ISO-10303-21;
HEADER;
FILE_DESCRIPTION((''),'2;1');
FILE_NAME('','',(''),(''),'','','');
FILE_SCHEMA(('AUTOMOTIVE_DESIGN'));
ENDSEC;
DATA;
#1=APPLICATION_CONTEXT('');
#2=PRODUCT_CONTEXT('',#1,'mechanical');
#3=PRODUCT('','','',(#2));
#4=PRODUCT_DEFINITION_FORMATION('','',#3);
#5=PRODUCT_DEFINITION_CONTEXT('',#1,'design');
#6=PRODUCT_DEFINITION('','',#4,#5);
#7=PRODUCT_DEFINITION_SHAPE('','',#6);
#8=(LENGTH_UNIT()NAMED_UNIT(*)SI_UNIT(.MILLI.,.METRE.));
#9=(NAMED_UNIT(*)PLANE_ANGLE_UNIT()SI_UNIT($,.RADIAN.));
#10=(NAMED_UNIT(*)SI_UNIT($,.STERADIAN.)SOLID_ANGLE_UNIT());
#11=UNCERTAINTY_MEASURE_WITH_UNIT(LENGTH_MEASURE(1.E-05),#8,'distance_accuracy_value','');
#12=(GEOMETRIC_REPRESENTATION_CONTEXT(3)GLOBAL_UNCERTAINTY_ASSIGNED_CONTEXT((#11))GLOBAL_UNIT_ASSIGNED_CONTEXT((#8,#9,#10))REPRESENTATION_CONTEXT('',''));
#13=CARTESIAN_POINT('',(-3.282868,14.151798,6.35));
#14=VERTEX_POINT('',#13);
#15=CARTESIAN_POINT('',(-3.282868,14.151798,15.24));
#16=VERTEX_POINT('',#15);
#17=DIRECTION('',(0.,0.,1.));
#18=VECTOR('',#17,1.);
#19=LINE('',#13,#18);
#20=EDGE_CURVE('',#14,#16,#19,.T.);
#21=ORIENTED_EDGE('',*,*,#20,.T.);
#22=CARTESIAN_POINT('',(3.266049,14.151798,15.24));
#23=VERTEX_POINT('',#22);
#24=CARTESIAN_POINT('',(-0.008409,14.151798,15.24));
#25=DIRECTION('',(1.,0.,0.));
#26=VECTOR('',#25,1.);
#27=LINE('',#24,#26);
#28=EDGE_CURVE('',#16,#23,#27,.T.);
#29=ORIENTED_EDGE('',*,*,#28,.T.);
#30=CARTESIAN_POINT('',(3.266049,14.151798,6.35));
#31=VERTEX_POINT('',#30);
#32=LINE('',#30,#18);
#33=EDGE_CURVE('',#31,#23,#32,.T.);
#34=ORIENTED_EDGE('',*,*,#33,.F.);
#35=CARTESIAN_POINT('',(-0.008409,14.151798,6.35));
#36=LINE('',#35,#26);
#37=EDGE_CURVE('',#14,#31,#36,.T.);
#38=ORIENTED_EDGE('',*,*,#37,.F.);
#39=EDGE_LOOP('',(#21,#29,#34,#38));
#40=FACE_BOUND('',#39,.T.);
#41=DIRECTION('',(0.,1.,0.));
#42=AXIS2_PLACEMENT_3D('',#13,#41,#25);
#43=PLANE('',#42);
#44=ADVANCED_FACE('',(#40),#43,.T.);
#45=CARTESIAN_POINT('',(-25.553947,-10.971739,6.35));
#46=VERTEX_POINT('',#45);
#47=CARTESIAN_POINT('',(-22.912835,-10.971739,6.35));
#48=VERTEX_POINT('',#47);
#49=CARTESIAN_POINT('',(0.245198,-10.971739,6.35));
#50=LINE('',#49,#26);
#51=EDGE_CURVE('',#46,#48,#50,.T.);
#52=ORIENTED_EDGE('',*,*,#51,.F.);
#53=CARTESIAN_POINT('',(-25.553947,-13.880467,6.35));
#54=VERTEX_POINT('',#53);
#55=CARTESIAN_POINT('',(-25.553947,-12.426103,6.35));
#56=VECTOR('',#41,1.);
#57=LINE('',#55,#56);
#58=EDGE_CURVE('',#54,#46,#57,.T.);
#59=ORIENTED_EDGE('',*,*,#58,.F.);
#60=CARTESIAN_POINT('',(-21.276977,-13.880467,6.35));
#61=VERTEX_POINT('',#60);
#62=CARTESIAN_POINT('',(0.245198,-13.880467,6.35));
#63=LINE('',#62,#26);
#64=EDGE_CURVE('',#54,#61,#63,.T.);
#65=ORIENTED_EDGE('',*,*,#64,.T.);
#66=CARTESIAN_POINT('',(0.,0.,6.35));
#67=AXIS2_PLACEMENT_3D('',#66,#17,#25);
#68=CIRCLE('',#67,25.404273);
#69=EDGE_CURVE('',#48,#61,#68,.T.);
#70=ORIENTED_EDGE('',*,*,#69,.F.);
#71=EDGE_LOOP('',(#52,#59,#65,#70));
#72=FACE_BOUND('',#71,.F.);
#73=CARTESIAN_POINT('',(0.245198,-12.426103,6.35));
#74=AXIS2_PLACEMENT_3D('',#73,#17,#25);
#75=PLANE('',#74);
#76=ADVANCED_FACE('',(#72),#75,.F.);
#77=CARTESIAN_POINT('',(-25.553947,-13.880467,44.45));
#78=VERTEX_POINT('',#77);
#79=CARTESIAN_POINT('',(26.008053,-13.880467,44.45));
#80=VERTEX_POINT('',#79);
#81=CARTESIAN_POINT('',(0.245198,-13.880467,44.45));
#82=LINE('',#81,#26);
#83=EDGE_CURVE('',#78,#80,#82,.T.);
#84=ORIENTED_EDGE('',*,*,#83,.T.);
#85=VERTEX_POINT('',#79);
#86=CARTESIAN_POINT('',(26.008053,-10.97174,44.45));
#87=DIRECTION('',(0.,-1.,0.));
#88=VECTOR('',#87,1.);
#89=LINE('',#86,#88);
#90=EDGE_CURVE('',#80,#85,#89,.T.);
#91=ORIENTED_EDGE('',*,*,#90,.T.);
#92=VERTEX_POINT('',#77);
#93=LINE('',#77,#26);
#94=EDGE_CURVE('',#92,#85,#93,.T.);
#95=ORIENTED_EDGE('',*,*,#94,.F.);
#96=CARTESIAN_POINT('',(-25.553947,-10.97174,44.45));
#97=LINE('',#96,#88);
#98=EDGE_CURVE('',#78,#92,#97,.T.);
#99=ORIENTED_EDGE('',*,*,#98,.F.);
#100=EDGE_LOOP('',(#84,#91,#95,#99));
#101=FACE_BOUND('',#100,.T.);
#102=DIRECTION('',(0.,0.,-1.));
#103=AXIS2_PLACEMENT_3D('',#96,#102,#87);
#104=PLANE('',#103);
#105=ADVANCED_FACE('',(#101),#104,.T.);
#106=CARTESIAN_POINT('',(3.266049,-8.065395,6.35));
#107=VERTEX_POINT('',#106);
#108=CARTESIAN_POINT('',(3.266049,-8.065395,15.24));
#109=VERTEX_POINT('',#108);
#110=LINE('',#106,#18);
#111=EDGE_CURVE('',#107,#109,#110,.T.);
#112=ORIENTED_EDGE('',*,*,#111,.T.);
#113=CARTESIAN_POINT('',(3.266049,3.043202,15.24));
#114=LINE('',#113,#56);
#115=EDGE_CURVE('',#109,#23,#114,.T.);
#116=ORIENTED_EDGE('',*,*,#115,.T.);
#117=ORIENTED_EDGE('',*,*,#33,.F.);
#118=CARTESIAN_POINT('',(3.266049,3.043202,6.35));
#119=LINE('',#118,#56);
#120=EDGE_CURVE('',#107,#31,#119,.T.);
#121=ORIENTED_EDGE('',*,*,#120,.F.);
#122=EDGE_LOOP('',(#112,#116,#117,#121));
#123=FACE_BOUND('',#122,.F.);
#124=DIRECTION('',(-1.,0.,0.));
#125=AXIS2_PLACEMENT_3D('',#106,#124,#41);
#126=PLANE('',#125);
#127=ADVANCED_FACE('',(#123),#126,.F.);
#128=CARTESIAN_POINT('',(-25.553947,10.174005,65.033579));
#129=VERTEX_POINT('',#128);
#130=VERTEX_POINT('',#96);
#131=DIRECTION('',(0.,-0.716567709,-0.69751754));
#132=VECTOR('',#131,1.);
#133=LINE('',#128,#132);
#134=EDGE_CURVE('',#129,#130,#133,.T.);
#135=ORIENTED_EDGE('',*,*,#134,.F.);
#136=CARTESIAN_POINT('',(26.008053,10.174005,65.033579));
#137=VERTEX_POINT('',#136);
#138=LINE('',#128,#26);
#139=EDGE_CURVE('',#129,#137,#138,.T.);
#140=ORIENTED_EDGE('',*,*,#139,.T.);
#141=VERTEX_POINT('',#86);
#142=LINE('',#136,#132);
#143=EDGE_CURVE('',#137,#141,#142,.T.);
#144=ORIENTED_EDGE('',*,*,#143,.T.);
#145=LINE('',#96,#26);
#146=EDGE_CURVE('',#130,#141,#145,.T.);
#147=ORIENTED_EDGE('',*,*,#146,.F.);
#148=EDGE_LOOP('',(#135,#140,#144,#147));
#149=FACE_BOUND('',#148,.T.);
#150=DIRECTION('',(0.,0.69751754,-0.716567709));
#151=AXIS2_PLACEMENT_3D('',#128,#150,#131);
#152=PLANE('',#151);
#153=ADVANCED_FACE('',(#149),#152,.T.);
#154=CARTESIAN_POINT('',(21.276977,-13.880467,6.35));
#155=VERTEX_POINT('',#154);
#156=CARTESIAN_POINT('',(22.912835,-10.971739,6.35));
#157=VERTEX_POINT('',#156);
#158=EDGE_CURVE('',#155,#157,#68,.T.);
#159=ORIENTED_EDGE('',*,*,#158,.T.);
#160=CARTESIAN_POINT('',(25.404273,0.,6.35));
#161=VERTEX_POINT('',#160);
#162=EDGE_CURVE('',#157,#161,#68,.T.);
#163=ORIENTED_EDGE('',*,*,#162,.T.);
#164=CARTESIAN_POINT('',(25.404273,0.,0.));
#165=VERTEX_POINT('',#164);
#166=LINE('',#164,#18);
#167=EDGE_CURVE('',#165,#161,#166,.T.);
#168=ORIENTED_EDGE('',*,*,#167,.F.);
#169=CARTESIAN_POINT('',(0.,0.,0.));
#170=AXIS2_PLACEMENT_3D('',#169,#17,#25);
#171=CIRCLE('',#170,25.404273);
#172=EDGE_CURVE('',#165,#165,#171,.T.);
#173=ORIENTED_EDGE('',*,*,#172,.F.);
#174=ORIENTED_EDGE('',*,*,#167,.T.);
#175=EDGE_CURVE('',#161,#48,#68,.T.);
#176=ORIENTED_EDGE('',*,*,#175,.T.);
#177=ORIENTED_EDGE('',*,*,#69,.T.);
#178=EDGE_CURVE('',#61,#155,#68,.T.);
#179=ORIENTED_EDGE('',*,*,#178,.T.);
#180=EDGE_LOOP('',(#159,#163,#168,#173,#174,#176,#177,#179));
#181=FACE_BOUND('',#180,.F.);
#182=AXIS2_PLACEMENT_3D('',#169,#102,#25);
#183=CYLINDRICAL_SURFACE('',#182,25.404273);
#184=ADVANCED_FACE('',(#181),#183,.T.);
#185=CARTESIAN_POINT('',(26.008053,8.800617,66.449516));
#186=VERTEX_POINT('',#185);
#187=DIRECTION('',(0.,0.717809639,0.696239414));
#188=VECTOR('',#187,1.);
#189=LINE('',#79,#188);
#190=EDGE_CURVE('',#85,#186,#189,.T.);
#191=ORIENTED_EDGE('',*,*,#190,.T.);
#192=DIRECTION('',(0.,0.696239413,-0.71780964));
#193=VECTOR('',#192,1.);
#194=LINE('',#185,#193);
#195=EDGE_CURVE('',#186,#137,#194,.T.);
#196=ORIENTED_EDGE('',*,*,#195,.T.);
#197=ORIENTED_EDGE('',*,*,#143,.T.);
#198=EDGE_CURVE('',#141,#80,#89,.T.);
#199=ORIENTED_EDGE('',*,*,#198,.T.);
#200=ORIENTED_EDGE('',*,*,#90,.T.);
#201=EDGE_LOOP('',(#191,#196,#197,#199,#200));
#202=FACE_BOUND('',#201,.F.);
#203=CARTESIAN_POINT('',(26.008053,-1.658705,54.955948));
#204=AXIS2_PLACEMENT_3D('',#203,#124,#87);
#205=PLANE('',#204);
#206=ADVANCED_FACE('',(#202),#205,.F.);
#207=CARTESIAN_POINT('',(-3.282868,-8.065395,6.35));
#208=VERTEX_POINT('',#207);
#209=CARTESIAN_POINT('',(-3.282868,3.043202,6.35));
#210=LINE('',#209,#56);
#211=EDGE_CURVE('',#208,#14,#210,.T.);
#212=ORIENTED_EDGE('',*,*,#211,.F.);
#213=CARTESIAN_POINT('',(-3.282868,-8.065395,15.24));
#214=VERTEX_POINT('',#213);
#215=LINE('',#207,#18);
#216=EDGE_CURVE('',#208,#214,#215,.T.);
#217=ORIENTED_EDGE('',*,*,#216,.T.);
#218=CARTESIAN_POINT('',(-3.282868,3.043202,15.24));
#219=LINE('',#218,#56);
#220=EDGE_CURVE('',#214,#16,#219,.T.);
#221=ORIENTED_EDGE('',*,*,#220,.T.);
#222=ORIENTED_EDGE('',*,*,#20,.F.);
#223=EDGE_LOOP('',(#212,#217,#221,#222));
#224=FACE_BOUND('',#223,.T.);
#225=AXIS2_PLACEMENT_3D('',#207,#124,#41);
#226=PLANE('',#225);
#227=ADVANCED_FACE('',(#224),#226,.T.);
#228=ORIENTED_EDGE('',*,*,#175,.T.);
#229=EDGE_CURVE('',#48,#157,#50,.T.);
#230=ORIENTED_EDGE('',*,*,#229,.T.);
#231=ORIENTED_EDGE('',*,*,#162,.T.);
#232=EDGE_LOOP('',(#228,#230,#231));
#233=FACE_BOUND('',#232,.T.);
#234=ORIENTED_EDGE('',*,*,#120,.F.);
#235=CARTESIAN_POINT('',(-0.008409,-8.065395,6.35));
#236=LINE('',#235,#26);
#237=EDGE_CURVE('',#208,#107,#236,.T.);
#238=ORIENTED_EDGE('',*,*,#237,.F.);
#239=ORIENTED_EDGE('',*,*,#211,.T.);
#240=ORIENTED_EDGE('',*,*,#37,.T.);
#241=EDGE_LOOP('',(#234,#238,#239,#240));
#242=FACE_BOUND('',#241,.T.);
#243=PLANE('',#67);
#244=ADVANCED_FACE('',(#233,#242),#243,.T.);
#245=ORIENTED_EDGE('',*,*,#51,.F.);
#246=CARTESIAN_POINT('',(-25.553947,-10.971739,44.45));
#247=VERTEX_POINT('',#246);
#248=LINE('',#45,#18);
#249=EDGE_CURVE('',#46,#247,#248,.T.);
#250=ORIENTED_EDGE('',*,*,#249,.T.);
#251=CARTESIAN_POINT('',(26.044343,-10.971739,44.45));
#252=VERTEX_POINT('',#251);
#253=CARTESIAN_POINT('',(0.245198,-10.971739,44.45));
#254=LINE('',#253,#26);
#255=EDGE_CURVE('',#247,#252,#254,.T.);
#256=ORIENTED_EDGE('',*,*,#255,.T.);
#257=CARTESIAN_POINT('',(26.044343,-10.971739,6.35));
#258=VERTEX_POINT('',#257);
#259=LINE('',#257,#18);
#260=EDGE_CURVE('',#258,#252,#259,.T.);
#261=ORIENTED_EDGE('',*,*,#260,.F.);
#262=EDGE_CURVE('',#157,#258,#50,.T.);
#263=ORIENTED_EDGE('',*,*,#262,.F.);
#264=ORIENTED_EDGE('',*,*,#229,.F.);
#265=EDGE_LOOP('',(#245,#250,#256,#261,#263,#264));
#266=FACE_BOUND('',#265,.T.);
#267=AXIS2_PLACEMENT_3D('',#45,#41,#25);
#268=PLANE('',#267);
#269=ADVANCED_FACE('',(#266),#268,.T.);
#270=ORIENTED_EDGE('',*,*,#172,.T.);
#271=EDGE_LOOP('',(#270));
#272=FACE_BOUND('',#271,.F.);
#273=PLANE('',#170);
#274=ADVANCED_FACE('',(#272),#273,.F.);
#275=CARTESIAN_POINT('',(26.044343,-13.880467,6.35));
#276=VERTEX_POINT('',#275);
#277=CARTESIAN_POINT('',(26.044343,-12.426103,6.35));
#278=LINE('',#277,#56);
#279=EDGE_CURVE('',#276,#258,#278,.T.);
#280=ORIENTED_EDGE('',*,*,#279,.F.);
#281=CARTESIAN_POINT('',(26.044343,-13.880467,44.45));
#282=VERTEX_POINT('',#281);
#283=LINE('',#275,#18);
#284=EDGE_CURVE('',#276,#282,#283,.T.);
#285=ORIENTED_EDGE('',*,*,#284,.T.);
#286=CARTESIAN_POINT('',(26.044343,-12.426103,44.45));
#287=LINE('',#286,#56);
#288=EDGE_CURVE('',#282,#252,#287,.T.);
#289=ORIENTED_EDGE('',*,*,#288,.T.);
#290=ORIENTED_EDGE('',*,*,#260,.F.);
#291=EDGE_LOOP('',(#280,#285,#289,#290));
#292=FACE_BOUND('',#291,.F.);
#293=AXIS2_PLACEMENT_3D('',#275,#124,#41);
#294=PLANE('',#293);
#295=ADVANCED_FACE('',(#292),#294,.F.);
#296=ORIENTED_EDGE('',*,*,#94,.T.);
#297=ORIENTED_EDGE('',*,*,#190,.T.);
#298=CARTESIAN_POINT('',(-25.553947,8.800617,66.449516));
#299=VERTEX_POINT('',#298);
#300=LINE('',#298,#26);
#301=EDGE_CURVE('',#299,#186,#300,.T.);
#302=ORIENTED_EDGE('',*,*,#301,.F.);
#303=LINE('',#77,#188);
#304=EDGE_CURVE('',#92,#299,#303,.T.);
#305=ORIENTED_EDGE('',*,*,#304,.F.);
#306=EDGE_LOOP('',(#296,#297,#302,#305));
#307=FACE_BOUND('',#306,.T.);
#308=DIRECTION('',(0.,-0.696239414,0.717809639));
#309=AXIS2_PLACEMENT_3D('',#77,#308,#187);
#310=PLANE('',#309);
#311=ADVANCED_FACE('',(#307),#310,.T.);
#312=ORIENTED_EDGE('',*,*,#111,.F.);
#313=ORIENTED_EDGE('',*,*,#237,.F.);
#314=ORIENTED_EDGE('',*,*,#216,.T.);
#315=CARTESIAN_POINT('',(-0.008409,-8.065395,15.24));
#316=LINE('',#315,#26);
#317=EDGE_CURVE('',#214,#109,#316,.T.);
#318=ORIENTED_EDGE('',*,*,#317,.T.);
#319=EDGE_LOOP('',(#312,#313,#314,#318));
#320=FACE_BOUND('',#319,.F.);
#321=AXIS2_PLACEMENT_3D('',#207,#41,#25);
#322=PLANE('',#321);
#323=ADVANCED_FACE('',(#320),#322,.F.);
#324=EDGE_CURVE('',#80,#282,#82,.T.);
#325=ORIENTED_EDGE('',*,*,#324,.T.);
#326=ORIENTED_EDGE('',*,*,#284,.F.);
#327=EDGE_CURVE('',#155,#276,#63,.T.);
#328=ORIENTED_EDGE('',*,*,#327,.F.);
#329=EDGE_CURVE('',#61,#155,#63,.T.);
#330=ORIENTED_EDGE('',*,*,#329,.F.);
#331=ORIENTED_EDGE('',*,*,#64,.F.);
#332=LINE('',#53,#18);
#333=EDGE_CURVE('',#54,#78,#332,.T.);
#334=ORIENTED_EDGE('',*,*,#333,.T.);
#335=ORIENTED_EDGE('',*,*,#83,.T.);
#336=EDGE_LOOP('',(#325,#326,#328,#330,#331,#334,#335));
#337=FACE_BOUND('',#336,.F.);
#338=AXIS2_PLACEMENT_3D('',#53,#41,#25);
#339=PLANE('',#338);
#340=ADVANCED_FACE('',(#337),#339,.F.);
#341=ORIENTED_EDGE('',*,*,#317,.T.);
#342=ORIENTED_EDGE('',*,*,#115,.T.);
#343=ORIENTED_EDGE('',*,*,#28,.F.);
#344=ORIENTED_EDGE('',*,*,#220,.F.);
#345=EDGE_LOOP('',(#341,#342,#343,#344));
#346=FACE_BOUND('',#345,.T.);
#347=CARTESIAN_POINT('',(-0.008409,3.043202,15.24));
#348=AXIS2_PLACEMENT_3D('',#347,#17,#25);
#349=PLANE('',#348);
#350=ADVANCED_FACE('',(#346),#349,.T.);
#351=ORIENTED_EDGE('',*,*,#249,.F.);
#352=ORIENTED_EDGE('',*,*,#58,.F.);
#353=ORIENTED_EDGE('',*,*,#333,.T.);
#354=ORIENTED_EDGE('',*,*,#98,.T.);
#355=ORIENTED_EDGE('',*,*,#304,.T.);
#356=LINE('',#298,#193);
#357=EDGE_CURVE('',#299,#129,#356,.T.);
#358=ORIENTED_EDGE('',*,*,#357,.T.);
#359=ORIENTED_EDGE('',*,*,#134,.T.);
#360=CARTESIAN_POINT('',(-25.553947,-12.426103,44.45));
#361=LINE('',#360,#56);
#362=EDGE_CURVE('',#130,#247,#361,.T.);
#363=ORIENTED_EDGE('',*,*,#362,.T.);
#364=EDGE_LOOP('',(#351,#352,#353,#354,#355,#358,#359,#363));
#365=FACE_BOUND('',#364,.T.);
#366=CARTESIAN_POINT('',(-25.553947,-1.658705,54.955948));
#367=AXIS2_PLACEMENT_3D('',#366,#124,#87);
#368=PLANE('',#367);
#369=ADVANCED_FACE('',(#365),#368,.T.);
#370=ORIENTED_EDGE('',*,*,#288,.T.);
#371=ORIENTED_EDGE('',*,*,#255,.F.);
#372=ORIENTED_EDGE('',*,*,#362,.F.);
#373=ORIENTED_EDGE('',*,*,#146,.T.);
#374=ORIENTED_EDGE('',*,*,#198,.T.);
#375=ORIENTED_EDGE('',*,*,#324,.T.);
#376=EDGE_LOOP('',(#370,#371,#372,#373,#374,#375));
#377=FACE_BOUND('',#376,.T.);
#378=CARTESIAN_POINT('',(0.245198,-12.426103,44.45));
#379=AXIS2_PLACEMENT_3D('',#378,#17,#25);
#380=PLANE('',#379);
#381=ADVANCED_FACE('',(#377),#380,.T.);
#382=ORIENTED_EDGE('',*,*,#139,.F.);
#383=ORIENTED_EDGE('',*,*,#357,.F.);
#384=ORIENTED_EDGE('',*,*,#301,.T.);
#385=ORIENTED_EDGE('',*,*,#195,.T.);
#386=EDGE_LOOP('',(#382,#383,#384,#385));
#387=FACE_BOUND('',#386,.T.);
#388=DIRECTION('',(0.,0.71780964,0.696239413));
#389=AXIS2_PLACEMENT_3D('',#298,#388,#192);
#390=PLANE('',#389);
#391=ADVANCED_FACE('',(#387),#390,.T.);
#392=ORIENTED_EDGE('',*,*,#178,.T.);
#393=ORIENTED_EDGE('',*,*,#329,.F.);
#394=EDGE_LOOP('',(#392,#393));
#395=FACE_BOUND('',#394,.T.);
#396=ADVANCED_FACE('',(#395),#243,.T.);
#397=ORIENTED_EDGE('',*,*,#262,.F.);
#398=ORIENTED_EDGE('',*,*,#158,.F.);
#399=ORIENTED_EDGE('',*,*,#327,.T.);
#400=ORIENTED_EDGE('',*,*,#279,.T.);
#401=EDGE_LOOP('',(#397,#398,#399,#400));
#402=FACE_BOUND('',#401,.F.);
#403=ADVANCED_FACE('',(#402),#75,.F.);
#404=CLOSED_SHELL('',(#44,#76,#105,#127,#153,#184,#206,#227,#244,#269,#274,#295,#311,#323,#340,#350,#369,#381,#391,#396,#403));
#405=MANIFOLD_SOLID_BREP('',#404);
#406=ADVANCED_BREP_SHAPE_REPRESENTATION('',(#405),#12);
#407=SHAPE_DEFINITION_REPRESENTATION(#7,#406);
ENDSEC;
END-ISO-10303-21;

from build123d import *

# Parameters (mm, degrees)
F0_R     = 25.404273
F1_DEPTH = 6.35
F2_W     = 51.59829
F2_H     = 2.908727
F3_DEPTH = 38.1
F5_DEPTH = 51.562
F6_W     = 6.548917
F6_H     = 22.217193
F7_DEPTH = 8.89


with BuildPart() as f1:
    # F0 (on Top) → F1 (new body)
    with BuildSketch(Plane.XY):
        Circle(F0_R)
    extrude(amount=F1_DEPTH)

    # F2 (on face) → F3 (join)
    with BuildSketch(Plane.XY.offset(6.35)):
        with Locations((0.245198, -12.426103)):
            Rectangle(F2_W, F2_H)
    extrude(amount=F3_DEPTH)

    # F4 (on face) → F5 (join)
    with BuildSketch(Plane(origin=(-25.553947, 0, 0), x_dir=(0, -1, 0), z_dir=(-1, 0, 0))):
        Polygon((10.97174, 44.45), (13.880467, 44.45), (-8.800617, 66.449516), (-10.174005, 65.033579), align=None)
    extrude(amount=-F5_DEPTH)

    # F6 (on face) → F7 (join)
    with BuildSketch(Plane.XY.offset(6.35)):
        with Locations((-0.008409, 3.043202)):
            Rectangle(F6_W, F6_H)
    extrude(amount=F7_DEPTH)


solid = f1.part
